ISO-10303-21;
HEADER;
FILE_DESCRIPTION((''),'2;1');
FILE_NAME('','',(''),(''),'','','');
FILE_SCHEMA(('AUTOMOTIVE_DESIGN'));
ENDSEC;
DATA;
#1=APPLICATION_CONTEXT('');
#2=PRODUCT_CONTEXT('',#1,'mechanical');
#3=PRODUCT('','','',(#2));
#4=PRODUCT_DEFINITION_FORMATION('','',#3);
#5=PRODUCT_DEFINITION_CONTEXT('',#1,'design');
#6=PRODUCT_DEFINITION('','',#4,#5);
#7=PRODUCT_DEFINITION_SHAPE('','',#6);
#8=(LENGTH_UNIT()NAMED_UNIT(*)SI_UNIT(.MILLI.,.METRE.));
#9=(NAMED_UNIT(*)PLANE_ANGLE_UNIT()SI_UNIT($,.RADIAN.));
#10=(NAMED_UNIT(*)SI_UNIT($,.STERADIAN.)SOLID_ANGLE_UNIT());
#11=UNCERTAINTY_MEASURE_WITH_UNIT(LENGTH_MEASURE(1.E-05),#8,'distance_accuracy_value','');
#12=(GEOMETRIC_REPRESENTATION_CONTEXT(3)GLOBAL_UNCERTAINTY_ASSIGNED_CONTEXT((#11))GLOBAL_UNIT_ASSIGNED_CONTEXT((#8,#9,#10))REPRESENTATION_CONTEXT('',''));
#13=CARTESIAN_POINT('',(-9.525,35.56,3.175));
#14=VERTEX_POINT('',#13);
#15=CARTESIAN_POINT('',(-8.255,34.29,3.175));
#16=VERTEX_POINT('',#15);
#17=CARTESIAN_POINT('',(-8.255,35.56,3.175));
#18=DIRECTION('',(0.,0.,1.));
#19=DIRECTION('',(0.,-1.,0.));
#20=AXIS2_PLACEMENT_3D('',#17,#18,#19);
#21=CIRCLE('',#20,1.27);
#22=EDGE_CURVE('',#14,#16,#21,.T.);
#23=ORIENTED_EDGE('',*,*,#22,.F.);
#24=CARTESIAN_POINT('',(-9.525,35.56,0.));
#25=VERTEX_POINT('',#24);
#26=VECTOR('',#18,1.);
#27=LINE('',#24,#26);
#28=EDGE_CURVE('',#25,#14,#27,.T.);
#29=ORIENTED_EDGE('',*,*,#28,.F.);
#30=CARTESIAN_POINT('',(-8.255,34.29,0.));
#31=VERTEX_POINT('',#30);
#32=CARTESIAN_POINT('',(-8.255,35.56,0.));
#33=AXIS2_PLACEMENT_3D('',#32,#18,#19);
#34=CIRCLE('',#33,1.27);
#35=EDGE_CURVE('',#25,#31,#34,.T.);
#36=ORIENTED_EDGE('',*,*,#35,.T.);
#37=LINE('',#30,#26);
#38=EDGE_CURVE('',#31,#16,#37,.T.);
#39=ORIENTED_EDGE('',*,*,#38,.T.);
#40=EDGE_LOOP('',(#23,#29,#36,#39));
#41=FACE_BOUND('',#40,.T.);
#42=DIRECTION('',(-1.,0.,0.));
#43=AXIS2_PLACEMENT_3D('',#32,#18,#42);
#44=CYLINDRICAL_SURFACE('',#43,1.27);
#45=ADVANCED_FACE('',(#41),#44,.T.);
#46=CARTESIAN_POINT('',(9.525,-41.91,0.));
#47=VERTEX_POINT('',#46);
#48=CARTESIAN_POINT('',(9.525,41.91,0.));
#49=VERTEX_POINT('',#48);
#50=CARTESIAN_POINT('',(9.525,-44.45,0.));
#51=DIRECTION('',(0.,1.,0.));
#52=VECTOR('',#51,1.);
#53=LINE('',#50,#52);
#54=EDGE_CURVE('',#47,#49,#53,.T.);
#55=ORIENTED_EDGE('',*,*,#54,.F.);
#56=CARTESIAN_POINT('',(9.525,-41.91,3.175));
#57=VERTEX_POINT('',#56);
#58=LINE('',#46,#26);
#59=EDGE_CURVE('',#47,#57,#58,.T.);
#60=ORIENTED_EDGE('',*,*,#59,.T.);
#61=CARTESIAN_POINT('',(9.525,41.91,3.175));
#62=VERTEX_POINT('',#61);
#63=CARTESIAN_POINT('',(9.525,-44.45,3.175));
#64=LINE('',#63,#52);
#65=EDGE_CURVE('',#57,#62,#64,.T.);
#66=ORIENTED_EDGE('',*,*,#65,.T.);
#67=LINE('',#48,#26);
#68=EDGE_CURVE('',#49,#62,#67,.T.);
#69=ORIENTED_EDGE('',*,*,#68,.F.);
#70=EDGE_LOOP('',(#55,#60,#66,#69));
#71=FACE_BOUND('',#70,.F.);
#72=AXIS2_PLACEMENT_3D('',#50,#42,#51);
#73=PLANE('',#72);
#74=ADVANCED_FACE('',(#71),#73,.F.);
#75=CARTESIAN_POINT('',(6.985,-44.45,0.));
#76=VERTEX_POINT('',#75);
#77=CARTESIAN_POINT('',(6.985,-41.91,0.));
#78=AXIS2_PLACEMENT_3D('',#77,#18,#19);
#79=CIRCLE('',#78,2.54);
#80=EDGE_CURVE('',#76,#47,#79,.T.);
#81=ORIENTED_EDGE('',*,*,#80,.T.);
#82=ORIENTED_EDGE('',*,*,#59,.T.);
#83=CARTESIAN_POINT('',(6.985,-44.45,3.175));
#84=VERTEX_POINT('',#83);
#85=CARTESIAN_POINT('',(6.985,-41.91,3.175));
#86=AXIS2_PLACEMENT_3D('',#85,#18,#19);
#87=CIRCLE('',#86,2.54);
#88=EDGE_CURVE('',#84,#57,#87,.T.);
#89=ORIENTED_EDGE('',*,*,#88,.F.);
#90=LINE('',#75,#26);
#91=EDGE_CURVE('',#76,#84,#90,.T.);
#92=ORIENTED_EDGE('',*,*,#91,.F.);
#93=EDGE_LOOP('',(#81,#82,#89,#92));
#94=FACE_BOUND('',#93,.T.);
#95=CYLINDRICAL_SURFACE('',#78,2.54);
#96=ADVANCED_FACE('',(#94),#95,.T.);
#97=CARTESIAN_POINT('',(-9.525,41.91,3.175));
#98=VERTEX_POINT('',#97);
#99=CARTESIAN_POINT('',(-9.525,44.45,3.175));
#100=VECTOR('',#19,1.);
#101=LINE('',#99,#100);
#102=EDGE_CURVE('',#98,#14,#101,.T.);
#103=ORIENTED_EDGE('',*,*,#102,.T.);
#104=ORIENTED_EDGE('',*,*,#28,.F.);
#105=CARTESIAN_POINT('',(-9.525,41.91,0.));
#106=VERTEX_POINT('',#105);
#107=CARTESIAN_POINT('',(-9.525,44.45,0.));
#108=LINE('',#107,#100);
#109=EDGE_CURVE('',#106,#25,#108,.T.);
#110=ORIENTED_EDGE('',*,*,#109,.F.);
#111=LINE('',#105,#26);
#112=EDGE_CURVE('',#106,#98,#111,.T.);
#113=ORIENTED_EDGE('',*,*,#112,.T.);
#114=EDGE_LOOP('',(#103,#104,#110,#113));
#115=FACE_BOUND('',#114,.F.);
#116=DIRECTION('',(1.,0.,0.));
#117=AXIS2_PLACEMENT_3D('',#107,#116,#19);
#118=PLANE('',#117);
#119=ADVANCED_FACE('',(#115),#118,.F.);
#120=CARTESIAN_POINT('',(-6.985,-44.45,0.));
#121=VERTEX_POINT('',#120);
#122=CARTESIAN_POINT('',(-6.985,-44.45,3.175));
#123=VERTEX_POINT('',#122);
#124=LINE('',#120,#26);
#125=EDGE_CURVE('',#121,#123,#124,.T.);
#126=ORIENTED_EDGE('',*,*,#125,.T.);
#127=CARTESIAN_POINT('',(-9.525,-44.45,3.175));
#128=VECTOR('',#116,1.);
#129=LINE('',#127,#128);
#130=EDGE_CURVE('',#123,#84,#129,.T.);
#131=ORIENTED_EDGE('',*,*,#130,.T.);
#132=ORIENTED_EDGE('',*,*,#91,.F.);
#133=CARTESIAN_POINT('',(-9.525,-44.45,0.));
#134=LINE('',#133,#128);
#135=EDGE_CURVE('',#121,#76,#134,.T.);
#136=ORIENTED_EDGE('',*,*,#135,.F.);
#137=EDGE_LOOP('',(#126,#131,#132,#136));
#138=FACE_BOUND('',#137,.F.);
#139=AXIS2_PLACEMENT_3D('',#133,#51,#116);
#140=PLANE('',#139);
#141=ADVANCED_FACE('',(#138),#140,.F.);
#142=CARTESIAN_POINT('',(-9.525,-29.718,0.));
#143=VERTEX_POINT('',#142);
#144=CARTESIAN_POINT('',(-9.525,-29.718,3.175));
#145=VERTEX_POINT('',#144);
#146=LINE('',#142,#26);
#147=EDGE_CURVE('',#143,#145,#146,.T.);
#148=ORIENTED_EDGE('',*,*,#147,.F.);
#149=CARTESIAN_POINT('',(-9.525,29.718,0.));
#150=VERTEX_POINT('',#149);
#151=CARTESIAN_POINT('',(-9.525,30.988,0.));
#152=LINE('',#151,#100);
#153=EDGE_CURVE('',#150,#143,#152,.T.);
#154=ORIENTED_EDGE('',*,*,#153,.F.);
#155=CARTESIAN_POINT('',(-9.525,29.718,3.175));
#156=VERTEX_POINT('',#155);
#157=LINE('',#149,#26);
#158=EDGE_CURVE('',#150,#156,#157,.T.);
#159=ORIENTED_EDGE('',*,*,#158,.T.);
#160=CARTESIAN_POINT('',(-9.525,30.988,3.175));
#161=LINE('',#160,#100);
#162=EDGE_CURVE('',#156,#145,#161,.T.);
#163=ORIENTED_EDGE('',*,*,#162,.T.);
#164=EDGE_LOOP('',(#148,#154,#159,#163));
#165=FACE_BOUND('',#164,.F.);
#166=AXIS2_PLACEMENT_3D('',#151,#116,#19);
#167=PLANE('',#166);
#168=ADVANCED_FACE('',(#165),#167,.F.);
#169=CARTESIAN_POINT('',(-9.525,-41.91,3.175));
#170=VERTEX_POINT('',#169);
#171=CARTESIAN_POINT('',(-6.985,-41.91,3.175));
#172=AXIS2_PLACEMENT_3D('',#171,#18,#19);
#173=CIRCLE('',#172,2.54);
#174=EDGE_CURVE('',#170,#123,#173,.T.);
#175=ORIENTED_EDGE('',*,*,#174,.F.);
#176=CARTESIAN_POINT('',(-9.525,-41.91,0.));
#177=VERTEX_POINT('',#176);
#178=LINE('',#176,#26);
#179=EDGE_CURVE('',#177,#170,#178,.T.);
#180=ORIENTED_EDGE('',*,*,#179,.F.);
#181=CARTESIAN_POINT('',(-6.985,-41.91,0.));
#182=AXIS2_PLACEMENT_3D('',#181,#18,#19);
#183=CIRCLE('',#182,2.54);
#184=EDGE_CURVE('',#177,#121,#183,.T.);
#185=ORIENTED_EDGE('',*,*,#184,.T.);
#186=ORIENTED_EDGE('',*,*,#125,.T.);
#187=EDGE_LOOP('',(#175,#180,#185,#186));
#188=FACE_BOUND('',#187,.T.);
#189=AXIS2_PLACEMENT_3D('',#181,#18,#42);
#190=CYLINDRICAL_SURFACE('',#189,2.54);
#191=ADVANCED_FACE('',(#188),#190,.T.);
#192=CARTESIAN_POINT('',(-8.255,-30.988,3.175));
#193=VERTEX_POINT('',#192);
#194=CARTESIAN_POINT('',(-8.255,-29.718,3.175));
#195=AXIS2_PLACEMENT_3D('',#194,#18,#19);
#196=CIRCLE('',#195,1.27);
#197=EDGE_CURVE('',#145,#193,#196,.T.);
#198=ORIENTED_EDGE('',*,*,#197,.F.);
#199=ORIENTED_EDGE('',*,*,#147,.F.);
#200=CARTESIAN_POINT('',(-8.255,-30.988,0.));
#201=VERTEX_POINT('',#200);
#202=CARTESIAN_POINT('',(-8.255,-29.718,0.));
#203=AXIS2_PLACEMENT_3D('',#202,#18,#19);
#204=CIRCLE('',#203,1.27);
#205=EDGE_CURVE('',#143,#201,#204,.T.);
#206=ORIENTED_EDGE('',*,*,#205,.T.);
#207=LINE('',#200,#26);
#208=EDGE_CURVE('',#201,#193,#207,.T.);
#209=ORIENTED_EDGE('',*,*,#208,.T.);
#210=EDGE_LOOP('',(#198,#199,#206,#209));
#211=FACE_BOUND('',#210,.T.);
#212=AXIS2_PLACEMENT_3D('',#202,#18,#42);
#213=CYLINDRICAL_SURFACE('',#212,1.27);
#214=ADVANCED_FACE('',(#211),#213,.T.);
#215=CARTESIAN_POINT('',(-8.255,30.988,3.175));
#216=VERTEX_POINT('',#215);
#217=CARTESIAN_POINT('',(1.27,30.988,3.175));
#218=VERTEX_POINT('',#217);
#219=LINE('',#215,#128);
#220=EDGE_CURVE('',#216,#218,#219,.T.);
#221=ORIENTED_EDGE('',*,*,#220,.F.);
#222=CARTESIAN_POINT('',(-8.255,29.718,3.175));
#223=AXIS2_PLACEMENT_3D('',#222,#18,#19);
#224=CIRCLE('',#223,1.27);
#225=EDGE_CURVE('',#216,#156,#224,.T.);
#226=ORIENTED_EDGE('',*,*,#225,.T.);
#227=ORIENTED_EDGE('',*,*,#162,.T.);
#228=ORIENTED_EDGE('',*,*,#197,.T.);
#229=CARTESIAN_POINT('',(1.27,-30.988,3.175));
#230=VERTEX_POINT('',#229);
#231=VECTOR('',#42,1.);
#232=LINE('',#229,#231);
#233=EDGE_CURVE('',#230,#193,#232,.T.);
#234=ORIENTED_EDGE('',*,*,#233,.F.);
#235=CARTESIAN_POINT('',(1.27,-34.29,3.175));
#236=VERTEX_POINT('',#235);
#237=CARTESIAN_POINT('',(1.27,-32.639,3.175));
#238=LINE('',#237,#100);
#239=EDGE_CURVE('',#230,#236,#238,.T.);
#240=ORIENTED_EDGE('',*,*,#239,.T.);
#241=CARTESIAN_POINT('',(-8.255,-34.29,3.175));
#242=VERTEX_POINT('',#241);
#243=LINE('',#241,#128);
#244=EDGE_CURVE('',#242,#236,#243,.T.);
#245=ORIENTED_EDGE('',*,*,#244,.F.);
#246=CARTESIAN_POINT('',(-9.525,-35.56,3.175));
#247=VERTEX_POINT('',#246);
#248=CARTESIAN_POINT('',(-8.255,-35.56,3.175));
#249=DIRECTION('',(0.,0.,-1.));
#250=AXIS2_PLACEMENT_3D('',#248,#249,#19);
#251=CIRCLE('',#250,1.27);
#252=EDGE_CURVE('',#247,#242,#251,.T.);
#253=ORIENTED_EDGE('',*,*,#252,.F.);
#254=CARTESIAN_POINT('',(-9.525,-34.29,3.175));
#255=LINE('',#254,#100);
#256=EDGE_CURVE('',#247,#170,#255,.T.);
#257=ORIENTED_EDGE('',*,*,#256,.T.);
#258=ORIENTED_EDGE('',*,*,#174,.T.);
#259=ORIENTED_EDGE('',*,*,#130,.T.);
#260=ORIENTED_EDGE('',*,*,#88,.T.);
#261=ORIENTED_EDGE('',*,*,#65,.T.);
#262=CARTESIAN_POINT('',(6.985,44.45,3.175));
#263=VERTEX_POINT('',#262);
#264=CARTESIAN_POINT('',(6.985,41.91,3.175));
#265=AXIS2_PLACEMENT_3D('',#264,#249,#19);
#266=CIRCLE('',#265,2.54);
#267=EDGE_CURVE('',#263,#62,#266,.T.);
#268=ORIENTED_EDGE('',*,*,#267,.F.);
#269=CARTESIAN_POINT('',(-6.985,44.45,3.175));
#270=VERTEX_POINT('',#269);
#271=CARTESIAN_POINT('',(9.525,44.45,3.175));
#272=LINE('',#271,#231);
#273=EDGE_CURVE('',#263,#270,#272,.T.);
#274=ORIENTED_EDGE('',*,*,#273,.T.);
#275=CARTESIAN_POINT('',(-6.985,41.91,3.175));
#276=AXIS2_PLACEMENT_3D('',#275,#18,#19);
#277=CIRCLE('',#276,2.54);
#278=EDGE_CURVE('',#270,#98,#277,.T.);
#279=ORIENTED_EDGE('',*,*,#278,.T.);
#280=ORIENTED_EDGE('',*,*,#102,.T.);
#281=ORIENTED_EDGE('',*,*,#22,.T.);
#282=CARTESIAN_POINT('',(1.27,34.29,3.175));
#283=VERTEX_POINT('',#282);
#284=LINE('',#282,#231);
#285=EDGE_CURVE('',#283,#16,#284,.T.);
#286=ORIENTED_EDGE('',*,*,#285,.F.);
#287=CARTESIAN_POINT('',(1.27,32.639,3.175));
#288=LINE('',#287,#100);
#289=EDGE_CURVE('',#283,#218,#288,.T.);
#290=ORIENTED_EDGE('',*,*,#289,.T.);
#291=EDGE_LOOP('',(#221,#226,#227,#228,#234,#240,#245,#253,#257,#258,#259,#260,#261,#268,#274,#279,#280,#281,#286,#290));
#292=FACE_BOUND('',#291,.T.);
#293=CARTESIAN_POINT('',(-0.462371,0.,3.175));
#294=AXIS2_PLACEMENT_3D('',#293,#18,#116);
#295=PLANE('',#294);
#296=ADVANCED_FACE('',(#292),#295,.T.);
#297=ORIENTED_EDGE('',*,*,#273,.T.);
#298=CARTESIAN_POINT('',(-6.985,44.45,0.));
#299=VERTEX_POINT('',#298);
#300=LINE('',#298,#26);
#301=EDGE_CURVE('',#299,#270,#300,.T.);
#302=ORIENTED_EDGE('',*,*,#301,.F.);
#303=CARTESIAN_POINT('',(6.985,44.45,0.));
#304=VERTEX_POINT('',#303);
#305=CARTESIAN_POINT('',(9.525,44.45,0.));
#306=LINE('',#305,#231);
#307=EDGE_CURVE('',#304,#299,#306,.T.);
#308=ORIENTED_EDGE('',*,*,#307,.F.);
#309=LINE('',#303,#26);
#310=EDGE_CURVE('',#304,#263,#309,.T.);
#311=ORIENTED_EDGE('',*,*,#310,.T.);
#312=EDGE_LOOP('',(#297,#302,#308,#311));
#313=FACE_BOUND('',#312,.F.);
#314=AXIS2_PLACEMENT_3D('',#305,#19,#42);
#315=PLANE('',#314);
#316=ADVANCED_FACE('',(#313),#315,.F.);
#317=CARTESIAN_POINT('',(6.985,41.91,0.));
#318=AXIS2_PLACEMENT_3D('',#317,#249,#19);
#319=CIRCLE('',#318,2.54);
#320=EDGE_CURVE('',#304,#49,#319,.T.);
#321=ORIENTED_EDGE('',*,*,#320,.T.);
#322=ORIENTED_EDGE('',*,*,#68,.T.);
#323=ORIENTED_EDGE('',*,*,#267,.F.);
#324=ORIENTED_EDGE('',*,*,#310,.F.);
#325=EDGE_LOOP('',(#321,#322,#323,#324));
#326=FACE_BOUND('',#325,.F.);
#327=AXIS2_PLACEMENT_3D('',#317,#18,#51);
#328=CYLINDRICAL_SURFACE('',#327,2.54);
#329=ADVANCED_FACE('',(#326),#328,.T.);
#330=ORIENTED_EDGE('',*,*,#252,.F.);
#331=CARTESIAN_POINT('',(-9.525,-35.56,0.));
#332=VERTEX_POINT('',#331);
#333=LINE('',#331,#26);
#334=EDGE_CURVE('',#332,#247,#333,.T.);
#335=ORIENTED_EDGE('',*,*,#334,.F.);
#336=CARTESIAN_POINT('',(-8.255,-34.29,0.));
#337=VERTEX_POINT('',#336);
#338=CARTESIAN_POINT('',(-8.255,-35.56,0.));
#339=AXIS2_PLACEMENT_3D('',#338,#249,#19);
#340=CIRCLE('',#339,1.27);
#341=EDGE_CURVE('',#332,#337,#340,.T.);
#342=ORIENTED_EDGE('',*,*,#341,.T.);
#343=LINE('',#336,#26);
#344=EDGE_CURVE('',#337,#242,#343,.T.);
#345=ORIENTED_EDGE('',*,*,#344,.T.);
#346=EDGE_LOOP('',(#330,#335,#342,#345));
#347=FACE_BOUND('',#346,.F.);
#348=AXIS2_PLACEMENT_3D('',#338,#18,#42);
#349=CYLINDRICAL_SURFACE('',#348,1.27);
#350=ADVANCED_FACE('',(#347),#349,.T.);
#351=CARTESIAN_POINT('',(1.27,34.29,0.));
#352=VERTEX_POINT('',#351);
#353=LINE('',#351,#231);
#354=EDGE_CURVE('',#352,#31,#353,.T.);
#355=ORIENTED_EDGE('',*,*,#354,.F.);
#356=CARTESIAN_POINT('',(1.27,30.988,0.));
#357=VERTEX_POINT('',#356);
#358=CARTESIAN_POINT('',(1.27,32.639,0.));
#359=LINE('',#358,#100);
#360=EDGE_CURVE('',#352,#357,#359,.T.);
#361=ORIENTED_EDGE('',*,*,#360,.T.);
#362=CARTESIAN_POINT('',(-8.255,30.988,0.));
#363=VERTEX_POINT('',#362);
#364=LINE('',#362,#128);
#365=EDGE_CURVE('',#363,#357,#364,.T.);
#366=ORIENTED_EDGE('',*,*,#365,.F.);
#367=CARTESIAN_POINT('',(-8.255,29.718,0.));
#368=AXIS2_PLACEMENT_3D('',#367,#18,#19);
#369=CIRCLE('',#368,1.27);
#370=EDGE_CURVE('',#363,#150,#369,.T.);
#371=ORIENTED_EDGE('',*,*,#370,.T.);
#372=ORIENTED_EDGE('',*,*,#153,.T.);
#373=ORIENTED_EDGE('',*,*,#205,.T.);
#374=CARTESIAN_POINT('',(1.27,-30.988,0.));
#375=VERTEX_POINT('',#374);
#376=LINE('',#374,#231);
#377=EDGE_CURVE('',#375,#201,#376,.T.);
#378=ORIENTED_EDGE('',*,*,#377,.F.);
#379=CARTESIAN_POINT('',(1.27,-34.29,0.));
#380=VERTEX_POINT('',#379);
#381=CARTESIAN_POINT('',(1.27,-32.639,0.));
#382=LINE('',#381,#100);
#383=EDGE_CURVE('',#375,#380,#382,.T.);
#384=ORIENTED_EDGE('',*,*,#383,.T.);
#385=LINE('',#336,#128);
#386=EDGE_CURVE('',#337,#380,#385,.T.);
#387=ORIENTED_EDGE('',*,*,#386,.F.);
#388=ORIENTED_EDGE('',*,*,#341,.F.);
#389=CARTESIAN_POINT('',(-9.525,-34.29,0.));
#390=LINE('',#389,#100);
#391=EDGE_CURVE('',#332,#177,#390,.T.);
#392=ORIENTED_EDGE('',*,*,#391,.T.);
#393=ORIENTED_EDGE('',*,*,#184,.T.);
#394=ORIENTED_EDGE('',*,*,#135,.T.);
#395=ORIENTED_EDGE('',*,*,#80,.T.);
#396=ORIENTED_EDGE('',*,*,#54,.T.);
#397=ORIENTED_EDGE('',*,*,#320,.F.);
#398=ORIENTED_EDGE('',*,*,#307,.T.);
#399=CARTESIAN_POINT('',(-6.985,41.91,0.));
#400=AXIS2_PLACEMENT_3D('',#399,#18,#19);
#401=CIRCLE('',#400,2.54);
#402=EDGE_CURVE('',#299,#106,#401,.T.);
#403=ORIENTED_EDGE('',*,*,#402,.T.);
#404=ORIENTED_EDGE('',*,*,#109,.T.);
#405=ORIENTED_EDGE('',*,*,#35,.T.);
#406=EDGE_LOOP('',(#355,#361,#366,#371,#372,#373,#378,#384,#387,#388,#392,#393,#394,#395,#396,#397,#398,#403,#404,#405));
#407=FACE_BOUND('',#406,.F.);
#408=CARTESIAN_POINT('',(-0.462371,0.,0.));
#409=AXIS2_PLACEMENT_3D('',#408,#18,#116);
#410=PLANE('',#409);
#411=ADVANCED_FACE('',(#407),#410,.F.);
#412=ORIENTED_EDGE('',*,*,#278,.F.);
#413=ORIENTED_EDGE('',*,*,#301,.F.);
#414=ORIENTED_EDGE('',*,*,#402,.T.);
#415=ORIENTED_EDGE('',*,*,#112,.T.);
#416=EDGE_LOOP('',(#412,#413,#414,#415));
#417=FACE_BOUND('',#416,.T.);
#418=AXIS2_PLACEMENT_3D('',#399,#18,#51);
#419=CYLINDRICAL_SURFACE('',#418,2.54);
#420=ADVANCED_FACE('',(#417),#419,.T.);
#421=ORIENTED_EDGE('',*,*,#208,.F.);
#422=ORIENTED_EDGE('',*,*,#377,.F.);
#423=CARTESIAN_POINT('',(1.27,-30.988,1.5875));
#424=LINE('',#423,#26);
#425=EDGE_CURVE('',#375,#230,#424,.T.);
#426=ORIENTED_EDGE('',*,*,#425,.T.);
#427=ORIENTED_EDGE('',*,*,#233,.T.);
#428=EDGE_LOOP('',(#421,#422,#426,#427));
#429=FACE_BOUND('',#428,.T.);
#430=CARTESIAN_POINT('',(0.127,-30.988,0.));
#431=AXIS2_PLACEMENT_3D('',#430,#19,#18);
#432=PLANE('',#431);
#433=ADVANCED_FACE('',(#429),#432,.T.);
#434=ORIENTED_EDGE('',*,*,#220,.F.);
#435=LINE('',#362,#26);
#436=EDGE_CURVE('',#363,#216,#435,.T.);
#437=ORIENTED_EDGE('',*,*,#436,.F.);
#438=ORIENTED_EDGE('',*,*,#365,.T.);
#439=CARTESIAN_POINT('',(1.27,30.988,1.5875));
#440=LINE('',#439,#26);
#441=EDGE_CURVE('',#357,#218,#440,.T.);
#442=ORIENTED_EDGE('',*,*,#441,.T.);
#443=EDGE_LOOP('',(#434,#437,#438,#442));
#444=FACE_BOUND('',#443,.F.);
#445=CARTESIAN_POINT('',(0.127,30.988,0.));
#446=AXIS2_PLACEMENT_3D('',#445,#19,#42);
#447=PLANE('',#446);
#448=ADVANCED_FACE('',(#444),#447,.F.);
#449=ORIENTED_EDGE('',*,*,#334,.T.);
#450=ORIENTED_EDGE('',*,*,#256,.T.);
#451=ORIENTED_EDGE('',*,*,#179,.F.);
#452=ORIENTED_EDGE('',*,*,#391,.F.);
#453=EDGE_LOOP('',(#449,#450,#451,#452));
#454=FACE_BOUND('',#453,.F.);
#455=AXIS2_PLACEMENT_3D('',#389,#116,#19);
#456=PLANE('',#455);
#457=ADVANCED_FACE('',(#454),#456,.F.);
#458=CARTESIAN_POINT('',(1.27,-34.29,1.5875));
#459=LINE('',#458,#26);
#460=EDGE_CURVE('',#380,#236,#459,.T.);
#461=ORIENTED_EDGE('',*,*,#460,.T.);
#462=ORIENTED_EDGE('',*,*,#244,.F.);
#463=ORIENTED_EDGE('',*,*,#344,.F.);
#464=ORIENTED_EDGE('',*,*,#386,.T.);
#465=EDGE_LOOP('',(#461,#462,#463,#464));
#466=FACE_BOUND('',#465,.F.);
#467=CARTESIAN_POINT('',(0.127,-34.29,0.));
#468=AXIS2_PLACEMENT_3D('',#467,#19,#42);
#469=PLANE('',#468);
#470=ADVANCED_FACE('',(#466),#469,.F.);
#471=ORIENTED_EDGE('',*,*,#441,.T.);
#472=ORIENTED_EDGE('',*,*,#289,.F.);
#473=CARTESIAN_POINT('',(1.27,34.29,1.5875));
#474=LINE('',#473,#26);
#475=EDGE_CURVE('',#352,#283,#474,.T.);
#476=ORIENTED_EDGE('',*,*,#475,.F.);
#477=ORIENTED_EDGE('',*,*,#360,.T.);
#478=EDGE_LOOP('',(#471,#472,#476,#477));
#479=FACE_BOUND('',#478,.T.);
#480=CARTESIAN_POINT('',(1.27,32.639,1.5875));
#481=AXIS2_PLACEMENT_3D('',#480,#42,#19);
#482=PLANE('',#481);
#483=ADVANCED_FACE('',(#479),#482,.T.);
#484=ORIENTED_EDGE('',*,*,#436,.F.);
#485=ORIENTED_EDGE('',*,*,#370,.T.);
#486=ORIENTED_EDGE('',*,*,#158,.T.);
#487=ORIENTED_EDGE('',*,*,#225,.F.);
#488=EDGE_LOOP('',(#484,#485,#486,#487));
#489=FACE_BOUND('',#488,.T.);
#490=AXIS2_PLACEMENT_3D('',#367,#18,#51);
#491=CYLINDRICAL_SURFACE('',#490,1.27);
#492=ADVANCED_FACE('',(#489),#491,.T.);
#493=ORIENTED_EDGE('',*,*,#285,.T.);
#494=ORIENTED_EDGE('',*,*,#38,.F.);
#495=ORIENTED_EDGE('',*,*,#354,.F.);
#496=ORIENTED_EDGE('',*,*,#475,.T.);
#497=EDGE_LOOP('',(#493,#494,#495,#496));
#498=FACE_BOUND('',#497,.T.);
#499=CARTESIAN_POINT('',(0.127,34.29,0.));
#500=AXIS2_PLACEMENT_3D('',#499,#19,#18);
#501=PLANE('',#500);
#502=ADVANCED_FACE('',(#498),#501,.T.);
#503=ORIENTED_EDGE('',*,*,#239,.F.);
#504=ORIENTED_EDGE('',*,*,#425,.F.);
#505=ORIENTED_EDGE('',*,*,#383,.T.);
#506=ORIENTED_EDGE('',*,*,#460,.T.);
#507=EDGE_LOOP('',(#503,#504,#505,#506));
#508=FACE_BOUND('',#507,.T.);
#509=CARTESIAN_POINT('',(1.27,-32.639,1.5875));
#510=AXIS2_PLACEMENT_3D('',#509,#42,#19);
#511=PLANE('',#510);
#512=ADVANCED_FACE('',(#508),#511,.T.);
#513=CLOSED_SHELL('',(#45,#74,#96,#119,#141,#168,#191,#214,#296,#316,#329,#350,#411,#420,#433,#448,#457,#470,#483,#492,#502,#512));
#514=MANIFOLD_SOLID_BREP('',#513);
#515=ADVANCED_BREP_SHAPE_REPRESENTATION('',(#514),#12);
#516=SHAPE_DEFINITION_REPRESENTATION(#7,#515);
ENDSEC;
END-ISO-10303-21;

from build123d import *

# Parameters (mm, degrees)
F1_DEPTH  = 3.175
F2_R      = 2.54
F3_R      = 1.27
F1_FACE_W = 3.302
F1_FACE_H = 3.175
F4_DEPTH  = 1.143


with BuildPart() as f1:
    # F0 (on Top) → F1 (new body)
    with BuildSketch(Plane.XY):
        Polygon((9.525, 44.45), (-9.525, 44.45), (-9.525, 34.29), (0.127, 34.29), (0.127, 30.988), (-9.525, 30.988), (-9.525, -30.988), (0.127, -30.988), (0.127, -34.29), (-9.525, -34.29), (-9.525, -44.45), (9.525, -44.45), align=None)
    extrude(amount=F1_DEPTH)

    # F2
    f2_edges = [f1.edges().sort_by_distance(p)[0] for p in [
        (-9.525, 44.45, 1.5875),
        (9.525, 44.45, 1.5875),
        (9.525, -44.45, 1.5875),
        (-9.525, -44.45, 1.5875),
    ]]
    fillet(f2_edges, radius=F2_R)

    # F3
    f3_edges = [f1.edges().sort_by_distance(p)[0] for p in [
        (-9.525, 34.29, 1.5875),
        (-9.525, -30.988, 1.5875),
        (-9.525, 30.988, 1.5875),
        (-9.525, -34.29, 1.5875),
    ]]
    fillet(f3_edges, radius=F3_R)

    # F1_face (on face) → F4 (cut)
    with BuildSketch(Plane(origin=(0.127, 32.639, 1.5875), x_dir=(0, -1, 0), z_dir=(-1, 0, 0))):
        Rectangle(F1_FACE_W, F1_FACE_H)
        with Locations((65.278, 0)):
            Rectangle(F1_FACE_W, F1_FACE_H)
    extrude(amount=-F4_DEPTH, mode=Mode.SUBTRACT)


solid = f1.part
